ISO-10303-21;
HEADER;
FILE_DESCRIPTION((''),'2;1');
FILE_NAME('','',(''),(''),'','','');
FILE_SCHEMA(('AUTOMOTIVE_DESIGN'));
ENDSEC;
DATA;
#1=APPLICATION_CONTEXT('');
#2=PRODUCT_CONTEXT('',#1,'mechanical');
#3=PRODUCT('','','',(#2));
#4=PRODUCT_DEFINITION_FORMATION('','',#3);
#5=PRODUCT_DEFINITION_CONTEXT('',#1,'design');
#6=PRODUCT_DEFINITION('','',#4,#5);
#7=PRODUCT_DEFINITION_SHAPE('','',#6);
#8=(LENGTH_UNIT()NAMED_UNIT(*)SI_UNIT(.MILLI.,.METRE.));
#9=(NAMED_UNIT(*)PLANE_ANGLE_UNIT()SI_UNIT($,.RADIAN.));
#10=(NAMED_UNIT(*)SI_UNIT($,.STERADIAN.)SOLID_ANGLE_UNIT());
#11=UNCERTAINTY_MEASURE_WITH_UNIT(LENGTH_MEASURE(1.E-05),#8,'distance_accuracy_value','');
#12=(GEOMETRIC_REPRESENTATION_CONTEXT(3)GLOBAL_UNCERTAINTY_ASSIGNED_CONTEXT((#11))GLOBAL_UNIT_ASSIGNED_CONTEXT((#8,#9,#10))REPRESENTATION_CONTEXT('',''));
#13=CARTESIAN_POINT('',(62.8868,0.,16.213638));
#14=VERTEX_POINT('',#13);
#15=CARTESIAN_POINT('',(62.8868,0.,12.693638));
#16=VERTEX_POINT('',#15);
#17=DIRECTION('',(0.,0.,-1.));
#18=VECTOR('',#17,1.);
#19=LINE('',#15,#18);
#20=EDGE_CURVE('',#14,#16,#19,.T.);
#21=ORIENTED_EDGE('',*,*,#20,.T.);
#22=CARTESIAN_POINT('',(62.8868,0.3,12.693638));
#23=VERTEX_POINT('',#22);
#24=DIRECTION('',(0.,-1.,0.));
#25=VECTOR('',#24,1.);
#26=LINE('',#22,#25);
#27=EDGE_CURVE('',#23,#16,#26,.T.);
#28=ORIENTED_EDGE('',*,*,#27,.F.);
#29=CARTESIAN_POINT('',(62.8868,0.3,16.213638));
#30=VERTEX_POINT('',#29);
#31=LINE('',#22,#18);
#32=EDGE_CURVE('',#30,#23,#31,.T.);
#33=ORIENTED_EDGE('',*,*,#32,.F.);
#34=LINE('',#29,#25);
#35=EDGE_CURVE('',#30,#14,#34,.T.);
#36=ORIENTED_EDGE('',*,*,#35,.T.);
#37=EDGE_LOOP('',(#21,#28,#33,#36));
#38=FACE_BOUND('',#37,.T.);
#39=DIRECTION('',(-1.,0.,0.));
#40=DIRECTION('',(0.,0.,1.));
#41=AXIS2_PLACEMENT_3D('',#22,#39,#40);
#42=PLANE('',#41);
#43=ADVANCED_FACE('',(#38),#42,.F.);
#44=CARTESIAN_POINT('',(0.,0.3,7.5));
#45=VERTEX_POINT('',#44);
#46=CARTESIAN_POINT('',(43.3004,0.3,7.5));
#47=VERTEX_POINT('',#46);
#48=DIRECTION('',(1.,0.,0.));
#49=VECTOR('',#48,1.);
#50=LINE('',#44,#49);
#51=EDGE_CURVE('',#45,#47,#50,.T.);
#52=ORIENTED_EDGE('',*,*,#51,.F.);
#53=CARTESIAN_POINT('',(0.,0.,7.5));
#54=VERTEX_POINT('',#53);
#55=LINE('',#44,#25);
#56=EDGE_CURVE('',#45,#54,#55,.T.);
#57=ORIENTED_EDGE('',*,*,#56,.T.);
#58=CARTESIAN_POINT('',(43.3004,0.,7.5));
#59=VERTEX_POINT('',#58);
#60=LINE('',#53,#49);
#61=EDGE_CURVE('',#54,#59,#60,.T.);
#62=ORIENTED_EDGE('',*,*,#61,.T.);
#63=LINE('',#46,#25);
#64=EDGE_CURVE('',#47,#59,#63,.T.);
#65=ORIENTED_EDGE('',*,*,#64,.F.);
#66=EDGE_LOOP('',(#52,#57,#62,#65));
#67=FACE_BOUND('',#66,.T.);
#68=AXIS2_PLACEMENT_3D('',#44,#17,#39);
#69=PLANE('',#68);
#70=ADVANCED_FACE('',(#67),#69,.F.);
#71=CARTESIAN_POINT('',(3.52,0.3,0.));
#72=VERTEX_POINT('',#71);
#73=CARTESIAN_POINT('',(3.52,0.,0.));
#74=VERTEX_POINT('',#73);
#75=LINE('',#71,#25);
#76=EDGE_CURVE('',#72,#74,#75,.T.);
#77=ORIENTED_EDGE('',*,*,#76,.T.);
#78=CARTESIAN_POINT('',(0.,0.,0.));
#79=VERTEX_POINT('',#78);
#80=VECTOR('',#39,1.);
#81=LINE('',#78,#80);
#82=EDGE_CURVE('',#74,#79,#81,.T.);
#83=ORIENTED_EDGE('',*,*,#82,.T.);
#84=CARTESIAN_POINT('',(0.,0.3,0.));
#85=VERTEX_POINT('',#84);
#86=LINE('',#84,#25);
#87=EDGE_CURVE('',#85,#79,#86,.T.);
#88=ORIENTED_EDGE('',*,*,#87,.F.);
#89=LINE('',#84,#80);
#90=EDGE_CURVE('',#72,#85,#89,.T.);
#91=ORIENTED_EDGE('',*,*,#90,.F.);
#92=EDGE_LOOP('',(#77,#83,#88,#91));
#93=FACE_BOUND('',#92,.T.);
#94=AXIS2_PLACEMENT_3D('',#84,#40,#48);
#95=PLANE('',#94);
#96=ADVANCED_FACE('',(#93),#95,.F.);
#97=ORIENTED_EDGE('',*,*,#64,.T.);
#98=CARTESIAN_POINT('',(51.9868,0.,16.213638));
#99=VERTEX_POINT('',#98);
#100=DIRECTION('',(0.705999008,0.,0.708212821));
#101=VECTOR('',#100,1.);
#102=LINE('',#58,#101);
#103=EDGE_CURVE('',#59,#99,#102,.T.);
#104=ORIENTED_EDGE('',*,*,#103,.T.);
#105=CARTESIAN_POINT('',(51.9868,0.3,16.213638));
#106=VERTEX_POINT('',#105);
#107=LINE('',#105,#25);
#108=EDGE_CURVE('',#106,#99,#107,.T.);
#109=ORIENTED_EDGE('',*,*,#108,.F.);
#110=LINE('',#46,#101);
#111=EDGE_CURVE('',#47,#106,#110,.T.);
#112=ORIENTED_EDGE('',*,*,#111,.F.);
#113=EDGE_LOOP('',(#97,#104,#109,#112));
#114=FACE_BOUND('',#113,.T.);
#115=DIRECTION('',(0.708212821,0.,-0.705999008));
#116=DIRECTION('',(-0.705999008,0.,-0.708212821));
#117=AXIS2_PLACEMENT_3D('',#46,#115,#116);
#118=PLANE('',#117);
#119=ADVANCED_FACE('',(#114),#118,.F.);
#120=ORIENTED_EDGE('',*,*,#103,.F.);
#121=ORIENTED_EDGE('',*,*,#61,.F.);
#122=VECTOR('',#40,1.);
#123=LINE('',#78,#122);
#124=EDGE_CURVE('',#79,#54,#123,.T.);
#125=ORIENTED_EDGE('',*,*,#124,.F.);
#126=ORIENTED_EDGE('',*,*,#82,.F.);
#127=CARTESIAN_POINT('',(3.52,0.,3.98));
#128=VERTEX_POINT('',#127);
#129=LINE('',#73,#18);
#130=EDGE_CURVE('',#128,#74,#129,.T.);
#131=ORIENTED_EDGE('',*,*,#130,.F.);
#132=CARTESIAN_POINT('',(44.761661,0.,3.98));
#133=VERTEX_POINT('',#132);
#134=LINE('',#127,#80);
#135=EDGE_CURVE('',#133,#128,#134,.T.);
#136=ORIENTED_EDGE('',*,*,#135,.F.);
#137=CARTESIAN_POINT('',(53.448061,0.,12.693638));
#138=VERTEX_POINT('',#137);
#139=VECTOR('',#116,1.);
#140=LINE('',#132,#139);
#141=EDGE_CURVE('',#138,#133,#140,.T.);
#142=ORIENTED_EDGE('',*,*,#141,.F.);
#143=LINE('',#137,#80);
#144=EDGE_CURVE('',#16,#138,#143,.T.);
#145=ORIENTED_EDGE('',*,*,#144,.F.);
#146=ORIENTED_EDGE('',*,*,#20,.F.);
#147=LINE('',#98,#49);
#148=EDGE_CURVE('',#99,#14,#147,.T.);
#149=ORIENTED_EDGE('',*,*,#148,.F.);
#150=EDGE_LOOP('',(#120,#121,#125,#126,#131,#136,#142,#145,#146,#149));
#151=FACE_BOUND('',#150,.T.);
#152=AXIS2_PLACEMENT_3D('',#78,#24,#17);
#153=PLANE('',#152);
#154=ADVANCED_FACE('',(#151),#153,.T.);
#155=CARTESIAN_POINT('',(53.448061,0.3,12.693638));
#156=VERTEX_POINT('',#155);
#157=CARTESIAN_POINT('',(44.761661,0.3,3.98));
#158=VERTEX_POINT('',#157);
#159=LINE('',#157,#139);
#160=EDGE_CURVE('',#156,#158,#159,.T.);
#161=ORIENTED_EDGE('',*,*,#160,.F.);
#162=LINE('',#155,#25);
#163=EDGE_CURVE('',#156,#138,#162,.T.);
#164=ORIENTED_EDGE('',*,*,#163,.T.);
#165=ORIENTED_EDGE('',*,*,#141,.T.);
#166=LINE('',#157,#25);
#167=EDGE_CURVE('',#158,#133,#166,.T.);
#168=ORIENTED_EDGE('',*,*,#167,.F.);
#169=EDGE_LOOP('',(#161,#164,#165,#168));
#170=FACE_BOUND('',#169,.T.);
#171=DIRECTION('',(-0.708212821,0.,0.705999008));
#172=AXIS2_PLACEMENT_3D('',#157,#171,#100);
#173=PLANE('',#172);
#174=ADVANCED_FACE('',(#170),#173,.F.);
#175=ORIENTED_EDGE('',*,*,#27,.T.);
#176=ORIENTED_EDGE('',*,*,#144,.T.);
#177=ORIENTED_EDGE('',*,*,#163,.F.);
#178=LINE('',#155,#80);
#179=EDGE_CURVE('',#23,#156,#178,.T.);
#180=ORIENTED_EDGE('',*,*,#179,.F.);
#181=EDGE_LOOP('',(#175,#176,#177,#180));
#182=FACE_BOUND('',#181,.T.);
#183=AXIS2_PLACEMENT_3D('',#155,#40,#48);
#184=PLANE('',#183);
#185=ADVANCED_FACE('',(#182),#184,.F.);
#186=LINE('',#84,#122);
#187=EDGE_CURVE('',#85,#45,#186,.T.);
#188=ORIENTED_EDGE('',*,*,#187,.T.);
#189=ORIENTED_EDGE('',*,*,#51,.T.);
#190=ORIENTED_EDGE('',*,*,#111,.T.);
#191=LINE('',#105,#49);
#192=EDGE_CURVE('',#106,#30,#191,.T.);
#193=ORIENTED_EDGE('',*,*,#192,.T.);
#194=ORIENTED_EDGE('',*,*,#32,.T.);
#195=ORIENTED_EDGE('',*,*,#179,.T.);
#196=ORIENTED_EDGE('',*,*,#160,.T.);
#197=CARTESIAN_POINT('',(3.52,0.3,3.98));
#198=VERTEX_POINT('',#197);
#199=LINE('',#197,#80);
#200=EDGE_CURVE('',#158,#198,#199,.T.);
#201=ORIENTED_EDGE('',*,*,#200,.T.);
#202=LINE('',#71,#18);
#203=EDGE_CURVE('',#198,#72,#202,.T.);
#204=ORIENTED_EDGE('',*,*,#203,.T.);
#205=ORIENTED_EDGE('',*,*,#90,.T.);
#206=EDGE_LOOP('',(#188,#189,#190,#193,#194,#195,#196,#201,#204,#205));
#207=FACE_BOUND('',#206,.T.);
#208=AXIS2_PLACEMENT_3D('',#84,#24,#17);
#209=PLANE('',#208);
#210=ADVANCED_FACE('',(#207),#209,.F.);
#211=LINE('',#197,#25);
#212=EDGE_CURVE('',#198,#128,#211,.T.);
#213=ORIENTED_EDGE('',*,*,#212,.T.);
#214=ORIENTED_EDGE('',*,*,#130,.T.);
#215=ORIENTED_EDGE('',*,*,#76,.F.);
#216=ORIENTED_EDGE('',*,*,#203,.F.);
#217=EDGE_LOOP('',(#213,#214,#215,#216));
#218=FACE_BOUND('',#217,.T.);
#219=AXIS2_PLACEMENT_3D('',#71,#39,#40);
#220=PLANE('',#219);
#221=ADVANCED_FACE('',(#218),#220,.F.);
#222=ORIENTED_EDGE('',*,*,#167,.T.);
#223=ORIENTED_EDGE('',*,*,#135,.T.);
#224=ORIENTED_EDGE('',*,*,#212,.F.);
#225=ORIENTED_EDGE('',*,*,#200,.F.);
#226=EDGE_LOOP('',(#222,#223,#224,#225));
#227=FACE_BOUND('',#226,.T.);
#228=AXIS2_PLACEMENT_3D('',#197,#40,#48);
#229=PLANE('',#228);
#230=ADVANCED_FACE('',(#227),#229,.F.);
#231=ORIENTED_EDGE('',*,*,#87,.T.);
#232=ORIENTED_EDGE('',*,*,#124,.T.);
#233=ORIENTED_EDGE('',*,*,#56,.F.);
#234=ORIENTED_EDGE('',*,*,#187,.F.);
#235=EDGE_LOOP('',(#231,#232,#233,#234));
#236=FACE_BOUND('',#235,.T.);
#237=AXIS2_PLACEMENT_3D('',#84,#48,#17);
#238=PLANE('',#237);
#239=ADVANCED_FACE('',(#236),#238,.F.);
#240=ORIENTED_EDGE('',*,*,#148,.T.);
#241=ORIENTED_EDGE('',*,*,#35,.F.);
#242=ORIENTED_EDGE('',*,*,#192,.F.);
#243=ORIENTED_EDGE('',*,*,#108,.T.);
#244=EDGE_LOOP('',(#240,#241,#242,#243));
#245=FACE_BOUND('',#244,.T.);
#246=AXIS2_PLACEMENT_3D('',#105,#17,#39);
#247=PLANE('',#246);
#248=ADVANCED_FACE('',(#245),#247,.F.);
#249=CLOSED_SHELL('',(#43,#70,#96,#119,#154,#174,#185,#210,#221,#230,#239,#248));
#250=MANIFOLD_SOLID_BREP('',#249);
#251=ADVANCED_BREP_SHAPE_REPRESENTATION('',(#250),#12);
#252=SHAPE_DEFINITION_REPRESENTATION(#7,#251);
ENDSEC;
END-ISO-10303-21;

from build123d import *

# Parameters (mm, degrees)
BOSS_EXTRUDE1_DEPTH = 0.3


with BuildPart() as part:
    # Sketch1 → Boss-Extrude1 (new body)
    with BuildSketch(Plane(origin=(0, 0, 0), x_dir=(1, 0, 0), z_dir=(0, 1, 0))):
        Polygon((0, 0), (0, -7.5), (43.3004, -7.5), (51.9868, -16.213638088), (62.8868, -16.213638088), (62.8868, -12.693638088), (53.448060598, -12.693638088), (44.761660598, -3.98), (3.52, -3.98), (3.52, 0), align=None)
    extrude(amount=BOSS_EXTRUDE1_DEPTH)


solid = part.part
